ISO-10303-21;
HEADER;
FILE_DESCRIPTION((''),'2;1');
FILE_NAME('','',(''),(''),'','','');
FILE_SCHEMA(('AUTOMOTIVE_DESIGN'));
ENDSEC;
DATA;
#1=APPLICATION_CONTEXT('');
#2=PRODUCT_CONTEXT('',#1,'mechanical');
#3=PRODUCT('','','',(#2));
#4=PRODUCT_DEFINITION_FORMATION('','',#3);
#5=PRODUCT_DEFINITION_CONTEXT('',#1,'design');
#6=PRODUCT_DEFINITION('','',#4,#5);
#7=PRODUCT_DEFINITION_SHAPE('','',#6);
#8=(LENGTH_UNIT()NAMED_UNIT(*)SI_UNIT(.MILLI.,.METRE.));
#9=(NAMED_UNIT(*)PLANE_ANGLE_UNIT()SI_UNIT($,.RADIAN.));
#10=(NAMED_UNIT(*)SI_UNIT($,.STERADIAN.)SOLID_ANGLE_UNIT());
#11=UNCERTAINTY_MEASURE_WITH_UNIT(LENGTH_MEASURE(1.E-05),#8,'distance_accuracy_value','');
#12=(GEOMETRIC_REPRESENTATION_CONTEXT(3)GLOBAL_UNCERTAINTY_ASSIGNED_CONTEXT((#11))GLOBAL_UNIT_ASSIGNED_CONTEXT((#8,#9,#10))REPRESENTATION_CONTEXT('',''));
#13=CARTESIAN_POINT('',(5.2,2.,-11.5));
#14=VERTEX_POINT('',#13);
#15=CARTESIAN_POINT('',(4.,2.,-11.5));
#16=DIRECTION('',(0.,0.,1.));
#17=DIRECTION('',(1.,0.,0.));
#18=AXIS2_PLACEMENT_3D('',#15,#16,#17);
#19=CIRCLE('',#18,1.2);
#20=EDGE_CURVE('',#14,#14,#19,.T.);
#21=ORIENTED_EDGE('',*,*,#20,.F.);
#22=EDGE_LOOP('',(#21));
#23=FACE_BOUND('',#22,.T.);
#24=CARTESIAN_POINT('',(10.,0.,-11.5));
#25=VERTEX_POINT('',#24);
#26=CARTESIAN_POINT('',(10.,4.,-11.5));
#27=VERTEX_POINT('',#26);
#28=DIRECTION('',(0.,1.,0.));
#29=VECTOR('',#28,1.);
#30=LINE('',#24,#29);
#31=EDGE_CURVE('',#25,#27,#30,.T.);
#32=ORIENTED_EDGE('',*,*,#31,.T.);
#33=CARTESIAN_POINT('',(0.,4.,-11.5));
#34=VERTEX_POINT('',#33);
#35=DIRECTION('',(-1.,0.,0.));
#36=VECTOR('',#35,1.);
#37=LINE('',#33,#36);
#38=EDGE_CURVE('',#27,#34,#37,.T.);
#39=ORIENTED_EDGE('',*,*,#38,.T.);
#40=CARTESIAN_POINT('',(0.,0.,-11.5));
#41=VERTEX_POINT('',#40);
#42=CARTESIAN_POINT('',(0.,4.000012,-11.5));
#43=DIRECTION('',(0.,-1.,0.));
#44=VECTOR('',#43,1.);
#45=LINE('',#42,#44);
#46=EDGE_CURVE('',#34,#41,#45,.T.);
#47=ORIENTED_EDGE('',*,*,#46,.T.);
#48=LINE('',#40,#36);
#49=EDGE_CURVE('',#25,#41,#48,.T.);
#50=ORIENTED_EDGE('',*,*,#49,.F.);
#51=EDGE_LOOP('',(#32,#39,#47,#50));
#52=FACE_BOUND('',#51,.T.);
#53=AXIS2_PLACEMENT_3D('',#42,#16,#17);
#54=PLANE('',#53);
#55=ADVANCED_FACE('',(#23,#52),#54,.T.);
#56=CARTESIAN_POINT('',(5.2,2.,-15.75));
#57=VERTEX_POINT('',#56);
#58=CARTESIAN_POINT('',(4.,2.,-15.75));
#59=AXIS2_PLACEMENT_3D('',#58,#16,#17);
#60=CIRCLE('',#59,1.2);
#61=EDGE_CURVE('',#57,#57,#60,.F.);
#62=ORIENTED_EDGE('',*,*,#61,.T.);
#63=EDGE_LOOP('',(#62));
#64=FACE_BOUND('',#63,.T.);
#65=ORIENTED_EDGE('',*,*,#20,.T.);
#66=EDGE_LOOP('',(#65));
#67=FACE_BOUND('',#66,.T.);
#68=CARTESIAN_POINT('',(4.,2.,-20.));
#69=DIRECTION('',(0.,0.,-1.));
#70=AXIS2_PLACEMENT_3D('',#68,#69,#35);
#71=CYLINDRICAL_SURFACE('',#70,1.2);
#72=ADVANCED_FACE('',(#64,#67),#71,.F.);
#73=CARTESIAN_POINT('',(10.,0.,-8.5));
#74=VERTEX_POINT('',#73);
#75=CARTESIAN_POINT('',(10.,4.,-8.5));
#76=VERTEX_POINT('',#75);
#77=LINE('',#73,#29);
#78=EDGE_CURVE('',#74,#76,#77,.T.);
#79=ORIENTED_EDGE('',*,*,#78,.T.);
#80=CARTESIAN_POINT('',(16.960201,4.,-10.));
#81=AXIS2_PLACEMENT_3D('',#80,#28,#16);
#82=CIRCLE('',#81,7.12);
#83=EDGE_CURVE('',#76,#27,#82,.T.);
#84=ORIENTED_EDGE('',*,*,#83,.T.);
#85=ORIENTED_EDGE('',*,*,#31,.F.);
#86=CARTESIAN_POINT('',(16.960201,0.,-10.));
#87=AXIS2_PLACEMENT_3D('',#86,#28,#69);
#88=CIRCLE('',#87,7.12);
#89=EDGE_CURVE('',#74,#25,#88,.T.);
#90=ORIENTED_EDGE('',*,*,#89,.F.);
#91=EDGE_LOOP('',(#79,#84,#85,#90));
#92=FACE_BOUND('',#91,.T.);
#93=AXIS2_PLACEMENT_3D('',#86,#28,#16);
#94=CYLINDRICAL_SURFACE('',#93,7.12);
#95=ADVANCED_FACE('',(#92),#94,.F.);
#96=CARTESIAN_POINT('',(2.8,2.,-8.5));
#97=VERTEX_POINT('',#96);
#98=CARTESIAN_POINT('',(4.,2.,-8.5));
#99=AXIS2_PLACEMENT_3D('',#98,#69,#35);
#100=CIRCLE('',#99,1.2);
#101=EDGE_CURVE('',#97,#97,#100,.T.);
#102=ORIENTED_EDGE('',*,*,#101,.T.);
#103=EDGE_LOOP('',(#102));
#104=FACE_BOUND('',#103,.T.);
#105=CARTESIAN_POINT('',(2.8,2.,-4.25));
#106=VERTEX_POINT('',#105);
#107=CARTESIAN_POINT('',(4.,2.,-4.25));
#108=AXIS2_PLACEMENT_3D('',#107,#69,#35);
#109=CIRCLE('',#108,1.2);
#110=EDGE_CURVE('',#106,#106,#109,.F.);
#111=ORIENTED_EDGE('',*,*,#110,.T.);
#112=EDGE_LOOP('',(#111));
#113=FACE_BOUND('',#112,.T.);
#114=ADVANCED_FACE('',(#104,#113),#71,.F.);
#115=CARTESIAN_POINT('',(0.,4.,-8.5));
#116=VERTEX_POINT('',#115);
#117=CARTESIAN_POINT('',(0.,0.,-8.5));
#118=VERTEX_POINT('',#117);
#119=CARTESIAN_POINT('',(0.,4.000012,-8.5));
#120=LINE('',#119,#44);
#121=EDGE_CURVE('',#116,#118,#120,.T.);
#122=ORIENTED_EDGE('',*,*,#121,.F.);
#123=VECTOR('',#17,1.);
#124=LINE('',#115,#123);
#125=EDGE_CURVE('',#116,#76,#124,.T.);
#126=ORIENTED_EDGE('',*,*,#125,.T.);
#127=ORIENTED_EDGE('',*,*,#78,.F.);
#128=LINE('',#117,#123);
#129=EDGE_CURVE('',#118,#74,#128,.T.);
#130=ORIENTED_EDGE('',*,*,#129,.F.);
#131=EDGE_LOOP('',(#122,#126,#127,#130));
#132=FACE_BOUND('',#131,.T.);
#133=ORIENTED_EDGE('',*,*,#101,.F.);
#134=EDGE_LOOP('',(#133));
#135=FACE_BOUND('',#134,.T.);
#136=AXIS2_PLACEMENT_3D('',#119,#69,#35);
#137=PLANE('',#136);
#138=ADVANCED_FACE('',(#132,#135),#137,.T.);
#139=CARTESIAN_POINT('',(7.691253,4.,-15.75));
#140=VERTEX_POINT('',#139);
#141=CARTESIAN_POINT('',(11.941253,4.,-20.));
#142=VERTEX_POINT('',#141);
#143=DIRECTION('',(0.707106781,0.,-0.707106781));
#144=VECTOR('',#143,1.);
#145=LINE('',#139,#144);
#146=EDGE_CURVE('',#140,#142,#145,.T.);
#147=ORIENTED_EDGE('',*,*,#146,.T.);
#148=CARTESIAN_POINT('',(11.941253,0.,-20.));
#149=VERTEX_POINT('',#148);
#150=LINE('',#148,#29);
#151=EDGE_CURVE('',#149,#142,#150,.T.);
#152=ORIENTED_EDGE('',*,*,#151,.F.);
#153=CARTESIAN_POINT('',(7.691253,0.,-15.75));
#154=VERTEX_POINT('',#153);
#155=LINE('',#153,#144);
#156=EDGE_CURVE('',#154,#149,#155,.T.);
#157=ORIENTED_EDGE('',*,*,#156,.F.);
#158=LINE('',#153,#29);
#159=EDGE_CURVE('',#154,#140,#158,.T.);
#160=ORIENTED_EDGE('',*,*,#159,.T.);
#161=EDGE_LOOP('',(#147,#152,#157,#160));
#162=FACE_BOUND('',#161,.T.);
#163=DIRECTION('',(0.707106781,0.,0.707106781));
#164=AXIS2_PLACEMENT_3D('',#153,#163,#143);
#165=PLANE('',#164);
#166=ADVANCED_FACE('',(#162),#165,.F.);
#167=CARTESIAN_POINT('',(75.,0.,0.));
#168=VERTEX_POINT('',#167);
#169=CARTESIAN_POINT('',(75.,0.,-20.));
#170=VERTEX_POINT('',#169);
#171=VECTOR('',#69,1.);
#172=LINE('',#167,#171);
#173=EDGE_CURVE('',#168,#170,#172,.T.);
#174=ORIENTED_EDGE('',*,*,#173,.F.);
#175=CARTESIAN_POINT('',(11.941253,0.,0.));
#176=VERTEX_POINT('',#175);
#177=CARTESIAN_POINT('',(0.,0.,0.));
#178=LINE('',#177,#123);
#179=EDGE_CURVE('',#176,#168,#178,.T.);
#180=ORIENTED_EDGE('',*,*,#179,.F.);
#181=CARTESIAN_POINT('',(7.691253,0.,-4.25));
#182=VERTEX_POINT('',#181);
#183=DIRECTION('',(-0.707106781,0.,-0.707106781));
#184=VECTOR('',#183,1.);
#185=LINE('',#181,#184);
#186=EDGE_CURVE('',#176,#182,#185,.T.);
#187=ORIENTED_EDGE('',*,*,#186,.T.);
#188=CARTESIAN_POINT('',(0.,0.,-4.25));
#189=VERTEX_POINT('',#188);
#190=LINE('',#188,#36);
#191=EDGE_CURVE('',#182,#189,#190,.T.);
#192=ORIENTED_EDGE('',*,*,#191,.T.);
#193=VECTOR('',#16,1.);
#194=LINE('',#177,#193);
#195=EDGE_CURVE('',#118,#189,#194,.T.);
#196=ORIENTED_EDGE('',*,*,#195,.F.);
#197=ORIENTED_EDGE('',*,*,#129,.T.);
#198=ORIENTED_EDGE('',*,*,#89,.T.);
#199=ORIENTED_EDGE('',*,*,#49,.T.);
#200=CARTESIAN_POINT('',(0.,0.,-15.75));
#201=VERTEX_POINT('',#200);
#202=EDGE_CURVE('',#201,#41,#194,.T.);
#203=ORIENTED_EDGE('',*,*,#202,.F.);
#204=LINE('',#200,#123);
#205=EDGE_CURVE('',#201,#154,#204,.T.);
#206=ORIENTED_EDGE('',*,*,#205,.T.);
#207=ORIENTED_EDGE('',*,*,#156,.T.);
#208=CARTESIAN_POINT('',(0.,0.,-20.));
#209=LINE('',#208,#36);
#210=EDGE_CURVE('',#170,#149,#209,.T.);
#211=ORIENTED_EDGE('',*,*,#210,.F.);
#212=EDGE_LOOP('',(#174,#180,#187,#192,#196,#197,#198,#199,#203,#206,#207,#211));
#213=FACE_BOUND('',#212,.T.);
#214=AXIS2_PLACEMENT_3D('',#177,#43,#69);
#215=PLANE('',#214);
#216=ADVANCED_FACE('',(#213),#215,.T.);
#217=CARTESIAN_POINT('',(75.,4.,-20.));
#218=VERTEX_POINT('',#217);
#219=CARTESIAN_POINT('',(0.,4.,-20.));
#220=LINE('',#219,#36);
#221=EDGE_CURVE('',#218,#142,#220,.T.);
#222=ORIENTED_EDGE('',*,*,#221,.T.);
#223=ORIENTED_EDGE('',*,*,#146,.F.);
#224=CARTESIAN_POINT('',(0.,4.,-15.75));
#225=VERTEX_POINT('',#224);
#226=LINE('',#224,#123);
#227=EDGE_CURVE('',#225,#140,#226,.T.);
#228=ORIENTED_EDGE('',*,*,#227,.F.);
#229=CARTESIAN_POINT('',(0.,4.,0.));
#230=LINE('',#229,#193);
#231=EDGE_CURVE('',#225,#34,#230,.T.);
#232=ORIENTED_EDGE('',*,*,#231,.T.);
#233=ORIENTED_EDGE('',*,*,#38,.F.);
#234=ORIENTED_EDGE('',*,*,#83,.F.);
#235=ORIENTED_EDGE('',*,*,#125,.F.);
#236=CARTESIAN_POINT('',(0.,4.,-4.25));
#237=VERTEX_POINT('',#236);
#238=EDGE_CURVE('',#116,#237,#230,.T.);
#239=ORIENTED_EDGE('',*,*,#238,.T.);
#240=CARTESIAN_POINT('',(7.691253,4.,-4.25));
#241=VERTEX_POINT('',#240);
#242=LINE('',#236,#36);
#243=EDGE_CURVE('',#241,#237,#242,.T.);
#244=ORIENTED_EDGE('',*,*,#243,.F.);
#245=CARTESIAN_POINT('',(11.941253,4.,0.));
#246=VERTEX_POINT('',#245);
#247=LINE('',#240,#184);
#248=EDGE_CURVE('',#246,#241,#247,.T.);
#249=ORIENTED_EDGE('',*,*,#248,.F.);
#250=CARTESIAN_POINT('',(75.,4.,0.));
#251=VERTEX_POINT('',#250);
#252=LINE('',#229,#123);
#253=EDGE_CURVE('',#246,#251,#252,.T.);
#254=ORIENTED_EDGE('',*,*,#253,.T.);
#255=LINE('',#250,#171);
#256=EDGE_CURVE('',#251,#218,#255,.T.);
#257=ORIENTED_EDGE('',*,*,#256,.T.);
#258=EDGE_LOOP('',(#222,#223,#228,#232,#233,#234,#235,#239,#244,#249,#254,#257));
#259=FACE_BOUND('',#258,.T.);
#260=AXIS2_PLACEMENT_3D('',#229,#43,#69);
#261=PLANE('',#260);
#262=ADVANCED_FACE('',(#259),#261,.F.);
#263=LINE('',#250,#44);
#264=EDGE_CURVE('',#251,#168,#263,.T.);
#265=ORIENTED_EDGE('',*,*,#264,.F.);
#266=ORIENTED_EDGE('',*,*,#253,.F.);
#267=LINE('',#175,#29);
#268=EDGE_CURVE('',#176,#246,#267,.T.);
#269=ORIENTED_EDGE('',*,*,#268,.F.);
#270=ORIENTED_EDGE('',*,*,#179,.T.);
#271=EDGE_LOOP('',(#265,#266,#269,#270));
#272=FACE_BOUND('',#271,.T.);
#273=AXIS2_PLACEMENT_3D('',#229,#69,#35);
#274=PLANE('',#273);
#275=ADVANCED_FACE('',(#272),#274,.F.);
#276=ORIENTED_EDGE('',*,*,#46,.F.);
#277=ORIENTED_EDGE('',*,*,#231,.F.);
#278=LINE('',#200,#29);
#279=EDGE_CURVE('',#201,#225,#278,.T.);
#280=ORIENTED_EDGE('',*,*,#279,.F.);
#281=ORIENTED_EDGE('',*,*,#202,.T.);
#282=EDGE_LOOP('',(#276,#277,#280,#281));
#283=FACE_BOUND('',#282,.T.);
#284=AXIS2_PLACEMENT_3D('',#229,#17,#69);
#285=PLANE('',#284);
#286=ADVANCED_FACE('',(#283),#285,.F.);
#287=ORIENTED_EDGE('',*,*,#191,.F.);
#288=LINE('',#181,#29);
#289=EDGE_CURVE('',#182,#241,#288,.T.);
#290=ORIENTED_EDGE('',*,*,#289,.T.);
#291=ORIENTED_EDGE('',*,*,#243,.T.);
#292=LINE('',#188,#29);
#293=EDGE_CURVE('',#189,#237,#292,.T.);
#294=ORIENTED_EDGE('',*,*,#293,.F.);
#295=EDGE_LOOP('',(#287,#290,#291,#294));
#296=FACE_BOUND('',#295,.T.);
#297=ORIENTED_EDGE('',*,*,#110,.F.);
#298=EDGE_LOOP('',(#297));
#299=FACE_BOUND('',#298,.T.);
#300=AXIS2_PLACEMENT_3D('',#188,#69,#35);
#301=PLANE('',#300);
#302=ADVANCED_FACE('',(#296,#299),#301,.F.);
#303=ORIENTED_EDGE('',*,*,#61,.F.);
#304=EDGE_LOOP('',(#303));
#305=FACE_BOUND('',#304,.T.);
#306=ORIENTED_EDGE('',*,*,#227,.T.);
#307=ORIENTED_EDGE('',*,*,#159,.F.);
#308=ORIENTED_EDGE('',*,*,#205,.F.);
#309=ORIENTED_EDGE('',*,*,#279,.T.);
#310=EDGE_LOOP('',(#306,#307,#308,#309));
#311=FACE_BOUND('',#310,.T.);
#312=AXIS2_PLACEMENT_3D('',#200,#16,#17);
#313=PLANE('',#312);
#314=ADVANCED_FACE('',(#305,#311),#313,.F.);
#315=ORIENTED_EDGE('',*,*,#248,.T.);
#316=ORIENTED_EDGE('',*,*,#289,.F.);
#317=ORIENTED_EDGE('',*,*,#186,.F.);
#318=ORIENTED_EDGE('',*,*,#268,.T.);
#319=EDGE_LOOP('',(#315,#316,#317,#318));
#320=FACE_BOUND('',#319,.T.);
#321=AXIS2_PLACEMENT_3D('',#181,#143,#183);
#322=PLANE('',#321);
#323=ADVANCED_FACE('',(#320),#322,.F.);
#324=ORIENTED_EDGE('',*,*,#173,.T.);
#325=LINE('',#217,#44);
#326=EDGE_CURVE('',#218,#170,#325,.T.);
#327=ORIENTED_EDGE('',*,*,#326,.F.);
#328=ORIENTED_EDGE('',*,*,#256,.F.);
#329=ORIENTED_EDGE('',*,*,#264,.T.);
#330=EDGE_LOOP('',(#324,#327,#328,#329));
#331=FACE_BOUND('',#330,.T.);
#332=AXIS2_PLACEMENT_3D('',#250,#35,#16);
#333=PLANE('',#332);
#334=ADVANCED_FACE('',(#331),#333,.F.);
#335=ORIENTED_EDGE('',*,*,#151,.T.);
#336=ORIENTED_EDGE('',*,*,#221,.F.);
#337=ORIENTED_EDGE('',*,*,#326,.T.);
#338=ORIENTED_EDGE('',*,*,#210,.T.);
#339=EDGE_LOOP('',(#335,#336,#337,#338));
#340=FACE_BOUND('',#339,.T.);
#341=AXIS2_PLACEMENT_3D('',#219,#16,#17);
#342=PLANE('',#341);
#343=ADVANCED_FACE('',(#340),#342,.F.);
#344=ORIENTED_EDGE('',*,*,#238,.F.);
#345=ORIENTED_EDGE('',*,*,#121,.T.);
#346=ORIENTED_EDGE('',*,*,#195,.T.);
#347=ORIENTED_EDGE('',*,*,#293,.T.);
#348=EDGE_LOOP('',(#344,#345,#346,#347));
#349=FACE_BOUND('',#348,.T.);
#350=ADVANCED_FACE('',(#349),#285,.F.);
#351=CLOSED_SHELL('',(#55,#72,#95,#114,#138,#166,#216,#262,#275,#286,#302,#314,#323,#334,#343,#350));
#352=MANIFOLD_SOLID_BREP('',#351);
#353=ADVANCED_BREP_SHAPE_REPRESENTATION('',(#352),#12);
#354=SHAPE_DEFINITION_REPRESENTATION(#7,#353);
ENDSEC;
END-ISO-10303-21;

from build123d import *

# Parameters (mm, degrees)
SKETCH1_W               = 75
SKETCH1_H               = 20
BOSS_EXTRUDE1_DEPTH     = 4
CUT_EXTRUDE1_DEPTH      = 78.723870207
CUT_EXTRUDE1_DEPTH_BACK = 4
M2_CLEARANCE_HOLE1_D    = 2.4
CUT_EXTRUDE2_DEPTH      = 4


with BuildPart() as part:
    # Sketch1 → Boss-Extrude1 (new body)
    with BuildSketch(Plane(origin=(0, 0, 0), x_dir=(1, 0, 0), z_dir=(0, 1, 0))):
        with Locations((37.5, 10)):
            Rectangle(SKETCH1_W, SKETCH1_H)
    extrude(amount=BOSS_EXTRUDE1_DEPTH)

    # Sketch2 → Cut-Extrude1 (cut, two sides: drawn at the far end of the back side and taken through both)
    with BuildSketch(Plane(origin=(0, 4, 0), x_dir=(1, 0, 0), z_dir=(0, 1, 0)).offset(-CUT_EXTRUDE1_DEPTH_BACK)):
        with BuildLine():
            Line((0, 8.5), (10, 8.5))
            ThreePointArc((10, 8.5), (24.080201147, 10), (10, 11.5))
            Line((10, 11.5), (0, 11.5))
            Line((0, 11.5), (0, 10))
            Line((0, 10), (0, 8.5))
        make_face()
    extrude(amount=CUT_EXTRUDE1_DEPTH + CUT_EXTRUDE1_DEPTH_BACK, mode=Mode.SUBTRACT)

    # M2 Clearance Hole1 (through all)
    with Locations(Plane(origin=(0, 0, -20), x_dir=(-1, 0, 0), z_dir=(0, 0, -1))):
        with Locations((-4, 2)):
            Hole(M2_CLEARANCE_HOLE1_D / 2)

    # Sketch5 → Cut-Extrude2 (cut)
    with BuildSketch(Plane(origin=(0, 4, 0), x_dir=(1, 0, 0), z_dir=(0, 1, 0))):
        Polygon((0, 15.75), (7.691253114, 15.75), (11.941253114, 20), (0, 20), align=None)
        Polygon((0, 0), (0, 4.25), (7.691253114, 4.25), (11.941253114, 0), align=None)
    extrude(amount=-CUT_EXTRUDE2_DEPTH, mode=Mode.SUBTRACT)


solid = part.part
